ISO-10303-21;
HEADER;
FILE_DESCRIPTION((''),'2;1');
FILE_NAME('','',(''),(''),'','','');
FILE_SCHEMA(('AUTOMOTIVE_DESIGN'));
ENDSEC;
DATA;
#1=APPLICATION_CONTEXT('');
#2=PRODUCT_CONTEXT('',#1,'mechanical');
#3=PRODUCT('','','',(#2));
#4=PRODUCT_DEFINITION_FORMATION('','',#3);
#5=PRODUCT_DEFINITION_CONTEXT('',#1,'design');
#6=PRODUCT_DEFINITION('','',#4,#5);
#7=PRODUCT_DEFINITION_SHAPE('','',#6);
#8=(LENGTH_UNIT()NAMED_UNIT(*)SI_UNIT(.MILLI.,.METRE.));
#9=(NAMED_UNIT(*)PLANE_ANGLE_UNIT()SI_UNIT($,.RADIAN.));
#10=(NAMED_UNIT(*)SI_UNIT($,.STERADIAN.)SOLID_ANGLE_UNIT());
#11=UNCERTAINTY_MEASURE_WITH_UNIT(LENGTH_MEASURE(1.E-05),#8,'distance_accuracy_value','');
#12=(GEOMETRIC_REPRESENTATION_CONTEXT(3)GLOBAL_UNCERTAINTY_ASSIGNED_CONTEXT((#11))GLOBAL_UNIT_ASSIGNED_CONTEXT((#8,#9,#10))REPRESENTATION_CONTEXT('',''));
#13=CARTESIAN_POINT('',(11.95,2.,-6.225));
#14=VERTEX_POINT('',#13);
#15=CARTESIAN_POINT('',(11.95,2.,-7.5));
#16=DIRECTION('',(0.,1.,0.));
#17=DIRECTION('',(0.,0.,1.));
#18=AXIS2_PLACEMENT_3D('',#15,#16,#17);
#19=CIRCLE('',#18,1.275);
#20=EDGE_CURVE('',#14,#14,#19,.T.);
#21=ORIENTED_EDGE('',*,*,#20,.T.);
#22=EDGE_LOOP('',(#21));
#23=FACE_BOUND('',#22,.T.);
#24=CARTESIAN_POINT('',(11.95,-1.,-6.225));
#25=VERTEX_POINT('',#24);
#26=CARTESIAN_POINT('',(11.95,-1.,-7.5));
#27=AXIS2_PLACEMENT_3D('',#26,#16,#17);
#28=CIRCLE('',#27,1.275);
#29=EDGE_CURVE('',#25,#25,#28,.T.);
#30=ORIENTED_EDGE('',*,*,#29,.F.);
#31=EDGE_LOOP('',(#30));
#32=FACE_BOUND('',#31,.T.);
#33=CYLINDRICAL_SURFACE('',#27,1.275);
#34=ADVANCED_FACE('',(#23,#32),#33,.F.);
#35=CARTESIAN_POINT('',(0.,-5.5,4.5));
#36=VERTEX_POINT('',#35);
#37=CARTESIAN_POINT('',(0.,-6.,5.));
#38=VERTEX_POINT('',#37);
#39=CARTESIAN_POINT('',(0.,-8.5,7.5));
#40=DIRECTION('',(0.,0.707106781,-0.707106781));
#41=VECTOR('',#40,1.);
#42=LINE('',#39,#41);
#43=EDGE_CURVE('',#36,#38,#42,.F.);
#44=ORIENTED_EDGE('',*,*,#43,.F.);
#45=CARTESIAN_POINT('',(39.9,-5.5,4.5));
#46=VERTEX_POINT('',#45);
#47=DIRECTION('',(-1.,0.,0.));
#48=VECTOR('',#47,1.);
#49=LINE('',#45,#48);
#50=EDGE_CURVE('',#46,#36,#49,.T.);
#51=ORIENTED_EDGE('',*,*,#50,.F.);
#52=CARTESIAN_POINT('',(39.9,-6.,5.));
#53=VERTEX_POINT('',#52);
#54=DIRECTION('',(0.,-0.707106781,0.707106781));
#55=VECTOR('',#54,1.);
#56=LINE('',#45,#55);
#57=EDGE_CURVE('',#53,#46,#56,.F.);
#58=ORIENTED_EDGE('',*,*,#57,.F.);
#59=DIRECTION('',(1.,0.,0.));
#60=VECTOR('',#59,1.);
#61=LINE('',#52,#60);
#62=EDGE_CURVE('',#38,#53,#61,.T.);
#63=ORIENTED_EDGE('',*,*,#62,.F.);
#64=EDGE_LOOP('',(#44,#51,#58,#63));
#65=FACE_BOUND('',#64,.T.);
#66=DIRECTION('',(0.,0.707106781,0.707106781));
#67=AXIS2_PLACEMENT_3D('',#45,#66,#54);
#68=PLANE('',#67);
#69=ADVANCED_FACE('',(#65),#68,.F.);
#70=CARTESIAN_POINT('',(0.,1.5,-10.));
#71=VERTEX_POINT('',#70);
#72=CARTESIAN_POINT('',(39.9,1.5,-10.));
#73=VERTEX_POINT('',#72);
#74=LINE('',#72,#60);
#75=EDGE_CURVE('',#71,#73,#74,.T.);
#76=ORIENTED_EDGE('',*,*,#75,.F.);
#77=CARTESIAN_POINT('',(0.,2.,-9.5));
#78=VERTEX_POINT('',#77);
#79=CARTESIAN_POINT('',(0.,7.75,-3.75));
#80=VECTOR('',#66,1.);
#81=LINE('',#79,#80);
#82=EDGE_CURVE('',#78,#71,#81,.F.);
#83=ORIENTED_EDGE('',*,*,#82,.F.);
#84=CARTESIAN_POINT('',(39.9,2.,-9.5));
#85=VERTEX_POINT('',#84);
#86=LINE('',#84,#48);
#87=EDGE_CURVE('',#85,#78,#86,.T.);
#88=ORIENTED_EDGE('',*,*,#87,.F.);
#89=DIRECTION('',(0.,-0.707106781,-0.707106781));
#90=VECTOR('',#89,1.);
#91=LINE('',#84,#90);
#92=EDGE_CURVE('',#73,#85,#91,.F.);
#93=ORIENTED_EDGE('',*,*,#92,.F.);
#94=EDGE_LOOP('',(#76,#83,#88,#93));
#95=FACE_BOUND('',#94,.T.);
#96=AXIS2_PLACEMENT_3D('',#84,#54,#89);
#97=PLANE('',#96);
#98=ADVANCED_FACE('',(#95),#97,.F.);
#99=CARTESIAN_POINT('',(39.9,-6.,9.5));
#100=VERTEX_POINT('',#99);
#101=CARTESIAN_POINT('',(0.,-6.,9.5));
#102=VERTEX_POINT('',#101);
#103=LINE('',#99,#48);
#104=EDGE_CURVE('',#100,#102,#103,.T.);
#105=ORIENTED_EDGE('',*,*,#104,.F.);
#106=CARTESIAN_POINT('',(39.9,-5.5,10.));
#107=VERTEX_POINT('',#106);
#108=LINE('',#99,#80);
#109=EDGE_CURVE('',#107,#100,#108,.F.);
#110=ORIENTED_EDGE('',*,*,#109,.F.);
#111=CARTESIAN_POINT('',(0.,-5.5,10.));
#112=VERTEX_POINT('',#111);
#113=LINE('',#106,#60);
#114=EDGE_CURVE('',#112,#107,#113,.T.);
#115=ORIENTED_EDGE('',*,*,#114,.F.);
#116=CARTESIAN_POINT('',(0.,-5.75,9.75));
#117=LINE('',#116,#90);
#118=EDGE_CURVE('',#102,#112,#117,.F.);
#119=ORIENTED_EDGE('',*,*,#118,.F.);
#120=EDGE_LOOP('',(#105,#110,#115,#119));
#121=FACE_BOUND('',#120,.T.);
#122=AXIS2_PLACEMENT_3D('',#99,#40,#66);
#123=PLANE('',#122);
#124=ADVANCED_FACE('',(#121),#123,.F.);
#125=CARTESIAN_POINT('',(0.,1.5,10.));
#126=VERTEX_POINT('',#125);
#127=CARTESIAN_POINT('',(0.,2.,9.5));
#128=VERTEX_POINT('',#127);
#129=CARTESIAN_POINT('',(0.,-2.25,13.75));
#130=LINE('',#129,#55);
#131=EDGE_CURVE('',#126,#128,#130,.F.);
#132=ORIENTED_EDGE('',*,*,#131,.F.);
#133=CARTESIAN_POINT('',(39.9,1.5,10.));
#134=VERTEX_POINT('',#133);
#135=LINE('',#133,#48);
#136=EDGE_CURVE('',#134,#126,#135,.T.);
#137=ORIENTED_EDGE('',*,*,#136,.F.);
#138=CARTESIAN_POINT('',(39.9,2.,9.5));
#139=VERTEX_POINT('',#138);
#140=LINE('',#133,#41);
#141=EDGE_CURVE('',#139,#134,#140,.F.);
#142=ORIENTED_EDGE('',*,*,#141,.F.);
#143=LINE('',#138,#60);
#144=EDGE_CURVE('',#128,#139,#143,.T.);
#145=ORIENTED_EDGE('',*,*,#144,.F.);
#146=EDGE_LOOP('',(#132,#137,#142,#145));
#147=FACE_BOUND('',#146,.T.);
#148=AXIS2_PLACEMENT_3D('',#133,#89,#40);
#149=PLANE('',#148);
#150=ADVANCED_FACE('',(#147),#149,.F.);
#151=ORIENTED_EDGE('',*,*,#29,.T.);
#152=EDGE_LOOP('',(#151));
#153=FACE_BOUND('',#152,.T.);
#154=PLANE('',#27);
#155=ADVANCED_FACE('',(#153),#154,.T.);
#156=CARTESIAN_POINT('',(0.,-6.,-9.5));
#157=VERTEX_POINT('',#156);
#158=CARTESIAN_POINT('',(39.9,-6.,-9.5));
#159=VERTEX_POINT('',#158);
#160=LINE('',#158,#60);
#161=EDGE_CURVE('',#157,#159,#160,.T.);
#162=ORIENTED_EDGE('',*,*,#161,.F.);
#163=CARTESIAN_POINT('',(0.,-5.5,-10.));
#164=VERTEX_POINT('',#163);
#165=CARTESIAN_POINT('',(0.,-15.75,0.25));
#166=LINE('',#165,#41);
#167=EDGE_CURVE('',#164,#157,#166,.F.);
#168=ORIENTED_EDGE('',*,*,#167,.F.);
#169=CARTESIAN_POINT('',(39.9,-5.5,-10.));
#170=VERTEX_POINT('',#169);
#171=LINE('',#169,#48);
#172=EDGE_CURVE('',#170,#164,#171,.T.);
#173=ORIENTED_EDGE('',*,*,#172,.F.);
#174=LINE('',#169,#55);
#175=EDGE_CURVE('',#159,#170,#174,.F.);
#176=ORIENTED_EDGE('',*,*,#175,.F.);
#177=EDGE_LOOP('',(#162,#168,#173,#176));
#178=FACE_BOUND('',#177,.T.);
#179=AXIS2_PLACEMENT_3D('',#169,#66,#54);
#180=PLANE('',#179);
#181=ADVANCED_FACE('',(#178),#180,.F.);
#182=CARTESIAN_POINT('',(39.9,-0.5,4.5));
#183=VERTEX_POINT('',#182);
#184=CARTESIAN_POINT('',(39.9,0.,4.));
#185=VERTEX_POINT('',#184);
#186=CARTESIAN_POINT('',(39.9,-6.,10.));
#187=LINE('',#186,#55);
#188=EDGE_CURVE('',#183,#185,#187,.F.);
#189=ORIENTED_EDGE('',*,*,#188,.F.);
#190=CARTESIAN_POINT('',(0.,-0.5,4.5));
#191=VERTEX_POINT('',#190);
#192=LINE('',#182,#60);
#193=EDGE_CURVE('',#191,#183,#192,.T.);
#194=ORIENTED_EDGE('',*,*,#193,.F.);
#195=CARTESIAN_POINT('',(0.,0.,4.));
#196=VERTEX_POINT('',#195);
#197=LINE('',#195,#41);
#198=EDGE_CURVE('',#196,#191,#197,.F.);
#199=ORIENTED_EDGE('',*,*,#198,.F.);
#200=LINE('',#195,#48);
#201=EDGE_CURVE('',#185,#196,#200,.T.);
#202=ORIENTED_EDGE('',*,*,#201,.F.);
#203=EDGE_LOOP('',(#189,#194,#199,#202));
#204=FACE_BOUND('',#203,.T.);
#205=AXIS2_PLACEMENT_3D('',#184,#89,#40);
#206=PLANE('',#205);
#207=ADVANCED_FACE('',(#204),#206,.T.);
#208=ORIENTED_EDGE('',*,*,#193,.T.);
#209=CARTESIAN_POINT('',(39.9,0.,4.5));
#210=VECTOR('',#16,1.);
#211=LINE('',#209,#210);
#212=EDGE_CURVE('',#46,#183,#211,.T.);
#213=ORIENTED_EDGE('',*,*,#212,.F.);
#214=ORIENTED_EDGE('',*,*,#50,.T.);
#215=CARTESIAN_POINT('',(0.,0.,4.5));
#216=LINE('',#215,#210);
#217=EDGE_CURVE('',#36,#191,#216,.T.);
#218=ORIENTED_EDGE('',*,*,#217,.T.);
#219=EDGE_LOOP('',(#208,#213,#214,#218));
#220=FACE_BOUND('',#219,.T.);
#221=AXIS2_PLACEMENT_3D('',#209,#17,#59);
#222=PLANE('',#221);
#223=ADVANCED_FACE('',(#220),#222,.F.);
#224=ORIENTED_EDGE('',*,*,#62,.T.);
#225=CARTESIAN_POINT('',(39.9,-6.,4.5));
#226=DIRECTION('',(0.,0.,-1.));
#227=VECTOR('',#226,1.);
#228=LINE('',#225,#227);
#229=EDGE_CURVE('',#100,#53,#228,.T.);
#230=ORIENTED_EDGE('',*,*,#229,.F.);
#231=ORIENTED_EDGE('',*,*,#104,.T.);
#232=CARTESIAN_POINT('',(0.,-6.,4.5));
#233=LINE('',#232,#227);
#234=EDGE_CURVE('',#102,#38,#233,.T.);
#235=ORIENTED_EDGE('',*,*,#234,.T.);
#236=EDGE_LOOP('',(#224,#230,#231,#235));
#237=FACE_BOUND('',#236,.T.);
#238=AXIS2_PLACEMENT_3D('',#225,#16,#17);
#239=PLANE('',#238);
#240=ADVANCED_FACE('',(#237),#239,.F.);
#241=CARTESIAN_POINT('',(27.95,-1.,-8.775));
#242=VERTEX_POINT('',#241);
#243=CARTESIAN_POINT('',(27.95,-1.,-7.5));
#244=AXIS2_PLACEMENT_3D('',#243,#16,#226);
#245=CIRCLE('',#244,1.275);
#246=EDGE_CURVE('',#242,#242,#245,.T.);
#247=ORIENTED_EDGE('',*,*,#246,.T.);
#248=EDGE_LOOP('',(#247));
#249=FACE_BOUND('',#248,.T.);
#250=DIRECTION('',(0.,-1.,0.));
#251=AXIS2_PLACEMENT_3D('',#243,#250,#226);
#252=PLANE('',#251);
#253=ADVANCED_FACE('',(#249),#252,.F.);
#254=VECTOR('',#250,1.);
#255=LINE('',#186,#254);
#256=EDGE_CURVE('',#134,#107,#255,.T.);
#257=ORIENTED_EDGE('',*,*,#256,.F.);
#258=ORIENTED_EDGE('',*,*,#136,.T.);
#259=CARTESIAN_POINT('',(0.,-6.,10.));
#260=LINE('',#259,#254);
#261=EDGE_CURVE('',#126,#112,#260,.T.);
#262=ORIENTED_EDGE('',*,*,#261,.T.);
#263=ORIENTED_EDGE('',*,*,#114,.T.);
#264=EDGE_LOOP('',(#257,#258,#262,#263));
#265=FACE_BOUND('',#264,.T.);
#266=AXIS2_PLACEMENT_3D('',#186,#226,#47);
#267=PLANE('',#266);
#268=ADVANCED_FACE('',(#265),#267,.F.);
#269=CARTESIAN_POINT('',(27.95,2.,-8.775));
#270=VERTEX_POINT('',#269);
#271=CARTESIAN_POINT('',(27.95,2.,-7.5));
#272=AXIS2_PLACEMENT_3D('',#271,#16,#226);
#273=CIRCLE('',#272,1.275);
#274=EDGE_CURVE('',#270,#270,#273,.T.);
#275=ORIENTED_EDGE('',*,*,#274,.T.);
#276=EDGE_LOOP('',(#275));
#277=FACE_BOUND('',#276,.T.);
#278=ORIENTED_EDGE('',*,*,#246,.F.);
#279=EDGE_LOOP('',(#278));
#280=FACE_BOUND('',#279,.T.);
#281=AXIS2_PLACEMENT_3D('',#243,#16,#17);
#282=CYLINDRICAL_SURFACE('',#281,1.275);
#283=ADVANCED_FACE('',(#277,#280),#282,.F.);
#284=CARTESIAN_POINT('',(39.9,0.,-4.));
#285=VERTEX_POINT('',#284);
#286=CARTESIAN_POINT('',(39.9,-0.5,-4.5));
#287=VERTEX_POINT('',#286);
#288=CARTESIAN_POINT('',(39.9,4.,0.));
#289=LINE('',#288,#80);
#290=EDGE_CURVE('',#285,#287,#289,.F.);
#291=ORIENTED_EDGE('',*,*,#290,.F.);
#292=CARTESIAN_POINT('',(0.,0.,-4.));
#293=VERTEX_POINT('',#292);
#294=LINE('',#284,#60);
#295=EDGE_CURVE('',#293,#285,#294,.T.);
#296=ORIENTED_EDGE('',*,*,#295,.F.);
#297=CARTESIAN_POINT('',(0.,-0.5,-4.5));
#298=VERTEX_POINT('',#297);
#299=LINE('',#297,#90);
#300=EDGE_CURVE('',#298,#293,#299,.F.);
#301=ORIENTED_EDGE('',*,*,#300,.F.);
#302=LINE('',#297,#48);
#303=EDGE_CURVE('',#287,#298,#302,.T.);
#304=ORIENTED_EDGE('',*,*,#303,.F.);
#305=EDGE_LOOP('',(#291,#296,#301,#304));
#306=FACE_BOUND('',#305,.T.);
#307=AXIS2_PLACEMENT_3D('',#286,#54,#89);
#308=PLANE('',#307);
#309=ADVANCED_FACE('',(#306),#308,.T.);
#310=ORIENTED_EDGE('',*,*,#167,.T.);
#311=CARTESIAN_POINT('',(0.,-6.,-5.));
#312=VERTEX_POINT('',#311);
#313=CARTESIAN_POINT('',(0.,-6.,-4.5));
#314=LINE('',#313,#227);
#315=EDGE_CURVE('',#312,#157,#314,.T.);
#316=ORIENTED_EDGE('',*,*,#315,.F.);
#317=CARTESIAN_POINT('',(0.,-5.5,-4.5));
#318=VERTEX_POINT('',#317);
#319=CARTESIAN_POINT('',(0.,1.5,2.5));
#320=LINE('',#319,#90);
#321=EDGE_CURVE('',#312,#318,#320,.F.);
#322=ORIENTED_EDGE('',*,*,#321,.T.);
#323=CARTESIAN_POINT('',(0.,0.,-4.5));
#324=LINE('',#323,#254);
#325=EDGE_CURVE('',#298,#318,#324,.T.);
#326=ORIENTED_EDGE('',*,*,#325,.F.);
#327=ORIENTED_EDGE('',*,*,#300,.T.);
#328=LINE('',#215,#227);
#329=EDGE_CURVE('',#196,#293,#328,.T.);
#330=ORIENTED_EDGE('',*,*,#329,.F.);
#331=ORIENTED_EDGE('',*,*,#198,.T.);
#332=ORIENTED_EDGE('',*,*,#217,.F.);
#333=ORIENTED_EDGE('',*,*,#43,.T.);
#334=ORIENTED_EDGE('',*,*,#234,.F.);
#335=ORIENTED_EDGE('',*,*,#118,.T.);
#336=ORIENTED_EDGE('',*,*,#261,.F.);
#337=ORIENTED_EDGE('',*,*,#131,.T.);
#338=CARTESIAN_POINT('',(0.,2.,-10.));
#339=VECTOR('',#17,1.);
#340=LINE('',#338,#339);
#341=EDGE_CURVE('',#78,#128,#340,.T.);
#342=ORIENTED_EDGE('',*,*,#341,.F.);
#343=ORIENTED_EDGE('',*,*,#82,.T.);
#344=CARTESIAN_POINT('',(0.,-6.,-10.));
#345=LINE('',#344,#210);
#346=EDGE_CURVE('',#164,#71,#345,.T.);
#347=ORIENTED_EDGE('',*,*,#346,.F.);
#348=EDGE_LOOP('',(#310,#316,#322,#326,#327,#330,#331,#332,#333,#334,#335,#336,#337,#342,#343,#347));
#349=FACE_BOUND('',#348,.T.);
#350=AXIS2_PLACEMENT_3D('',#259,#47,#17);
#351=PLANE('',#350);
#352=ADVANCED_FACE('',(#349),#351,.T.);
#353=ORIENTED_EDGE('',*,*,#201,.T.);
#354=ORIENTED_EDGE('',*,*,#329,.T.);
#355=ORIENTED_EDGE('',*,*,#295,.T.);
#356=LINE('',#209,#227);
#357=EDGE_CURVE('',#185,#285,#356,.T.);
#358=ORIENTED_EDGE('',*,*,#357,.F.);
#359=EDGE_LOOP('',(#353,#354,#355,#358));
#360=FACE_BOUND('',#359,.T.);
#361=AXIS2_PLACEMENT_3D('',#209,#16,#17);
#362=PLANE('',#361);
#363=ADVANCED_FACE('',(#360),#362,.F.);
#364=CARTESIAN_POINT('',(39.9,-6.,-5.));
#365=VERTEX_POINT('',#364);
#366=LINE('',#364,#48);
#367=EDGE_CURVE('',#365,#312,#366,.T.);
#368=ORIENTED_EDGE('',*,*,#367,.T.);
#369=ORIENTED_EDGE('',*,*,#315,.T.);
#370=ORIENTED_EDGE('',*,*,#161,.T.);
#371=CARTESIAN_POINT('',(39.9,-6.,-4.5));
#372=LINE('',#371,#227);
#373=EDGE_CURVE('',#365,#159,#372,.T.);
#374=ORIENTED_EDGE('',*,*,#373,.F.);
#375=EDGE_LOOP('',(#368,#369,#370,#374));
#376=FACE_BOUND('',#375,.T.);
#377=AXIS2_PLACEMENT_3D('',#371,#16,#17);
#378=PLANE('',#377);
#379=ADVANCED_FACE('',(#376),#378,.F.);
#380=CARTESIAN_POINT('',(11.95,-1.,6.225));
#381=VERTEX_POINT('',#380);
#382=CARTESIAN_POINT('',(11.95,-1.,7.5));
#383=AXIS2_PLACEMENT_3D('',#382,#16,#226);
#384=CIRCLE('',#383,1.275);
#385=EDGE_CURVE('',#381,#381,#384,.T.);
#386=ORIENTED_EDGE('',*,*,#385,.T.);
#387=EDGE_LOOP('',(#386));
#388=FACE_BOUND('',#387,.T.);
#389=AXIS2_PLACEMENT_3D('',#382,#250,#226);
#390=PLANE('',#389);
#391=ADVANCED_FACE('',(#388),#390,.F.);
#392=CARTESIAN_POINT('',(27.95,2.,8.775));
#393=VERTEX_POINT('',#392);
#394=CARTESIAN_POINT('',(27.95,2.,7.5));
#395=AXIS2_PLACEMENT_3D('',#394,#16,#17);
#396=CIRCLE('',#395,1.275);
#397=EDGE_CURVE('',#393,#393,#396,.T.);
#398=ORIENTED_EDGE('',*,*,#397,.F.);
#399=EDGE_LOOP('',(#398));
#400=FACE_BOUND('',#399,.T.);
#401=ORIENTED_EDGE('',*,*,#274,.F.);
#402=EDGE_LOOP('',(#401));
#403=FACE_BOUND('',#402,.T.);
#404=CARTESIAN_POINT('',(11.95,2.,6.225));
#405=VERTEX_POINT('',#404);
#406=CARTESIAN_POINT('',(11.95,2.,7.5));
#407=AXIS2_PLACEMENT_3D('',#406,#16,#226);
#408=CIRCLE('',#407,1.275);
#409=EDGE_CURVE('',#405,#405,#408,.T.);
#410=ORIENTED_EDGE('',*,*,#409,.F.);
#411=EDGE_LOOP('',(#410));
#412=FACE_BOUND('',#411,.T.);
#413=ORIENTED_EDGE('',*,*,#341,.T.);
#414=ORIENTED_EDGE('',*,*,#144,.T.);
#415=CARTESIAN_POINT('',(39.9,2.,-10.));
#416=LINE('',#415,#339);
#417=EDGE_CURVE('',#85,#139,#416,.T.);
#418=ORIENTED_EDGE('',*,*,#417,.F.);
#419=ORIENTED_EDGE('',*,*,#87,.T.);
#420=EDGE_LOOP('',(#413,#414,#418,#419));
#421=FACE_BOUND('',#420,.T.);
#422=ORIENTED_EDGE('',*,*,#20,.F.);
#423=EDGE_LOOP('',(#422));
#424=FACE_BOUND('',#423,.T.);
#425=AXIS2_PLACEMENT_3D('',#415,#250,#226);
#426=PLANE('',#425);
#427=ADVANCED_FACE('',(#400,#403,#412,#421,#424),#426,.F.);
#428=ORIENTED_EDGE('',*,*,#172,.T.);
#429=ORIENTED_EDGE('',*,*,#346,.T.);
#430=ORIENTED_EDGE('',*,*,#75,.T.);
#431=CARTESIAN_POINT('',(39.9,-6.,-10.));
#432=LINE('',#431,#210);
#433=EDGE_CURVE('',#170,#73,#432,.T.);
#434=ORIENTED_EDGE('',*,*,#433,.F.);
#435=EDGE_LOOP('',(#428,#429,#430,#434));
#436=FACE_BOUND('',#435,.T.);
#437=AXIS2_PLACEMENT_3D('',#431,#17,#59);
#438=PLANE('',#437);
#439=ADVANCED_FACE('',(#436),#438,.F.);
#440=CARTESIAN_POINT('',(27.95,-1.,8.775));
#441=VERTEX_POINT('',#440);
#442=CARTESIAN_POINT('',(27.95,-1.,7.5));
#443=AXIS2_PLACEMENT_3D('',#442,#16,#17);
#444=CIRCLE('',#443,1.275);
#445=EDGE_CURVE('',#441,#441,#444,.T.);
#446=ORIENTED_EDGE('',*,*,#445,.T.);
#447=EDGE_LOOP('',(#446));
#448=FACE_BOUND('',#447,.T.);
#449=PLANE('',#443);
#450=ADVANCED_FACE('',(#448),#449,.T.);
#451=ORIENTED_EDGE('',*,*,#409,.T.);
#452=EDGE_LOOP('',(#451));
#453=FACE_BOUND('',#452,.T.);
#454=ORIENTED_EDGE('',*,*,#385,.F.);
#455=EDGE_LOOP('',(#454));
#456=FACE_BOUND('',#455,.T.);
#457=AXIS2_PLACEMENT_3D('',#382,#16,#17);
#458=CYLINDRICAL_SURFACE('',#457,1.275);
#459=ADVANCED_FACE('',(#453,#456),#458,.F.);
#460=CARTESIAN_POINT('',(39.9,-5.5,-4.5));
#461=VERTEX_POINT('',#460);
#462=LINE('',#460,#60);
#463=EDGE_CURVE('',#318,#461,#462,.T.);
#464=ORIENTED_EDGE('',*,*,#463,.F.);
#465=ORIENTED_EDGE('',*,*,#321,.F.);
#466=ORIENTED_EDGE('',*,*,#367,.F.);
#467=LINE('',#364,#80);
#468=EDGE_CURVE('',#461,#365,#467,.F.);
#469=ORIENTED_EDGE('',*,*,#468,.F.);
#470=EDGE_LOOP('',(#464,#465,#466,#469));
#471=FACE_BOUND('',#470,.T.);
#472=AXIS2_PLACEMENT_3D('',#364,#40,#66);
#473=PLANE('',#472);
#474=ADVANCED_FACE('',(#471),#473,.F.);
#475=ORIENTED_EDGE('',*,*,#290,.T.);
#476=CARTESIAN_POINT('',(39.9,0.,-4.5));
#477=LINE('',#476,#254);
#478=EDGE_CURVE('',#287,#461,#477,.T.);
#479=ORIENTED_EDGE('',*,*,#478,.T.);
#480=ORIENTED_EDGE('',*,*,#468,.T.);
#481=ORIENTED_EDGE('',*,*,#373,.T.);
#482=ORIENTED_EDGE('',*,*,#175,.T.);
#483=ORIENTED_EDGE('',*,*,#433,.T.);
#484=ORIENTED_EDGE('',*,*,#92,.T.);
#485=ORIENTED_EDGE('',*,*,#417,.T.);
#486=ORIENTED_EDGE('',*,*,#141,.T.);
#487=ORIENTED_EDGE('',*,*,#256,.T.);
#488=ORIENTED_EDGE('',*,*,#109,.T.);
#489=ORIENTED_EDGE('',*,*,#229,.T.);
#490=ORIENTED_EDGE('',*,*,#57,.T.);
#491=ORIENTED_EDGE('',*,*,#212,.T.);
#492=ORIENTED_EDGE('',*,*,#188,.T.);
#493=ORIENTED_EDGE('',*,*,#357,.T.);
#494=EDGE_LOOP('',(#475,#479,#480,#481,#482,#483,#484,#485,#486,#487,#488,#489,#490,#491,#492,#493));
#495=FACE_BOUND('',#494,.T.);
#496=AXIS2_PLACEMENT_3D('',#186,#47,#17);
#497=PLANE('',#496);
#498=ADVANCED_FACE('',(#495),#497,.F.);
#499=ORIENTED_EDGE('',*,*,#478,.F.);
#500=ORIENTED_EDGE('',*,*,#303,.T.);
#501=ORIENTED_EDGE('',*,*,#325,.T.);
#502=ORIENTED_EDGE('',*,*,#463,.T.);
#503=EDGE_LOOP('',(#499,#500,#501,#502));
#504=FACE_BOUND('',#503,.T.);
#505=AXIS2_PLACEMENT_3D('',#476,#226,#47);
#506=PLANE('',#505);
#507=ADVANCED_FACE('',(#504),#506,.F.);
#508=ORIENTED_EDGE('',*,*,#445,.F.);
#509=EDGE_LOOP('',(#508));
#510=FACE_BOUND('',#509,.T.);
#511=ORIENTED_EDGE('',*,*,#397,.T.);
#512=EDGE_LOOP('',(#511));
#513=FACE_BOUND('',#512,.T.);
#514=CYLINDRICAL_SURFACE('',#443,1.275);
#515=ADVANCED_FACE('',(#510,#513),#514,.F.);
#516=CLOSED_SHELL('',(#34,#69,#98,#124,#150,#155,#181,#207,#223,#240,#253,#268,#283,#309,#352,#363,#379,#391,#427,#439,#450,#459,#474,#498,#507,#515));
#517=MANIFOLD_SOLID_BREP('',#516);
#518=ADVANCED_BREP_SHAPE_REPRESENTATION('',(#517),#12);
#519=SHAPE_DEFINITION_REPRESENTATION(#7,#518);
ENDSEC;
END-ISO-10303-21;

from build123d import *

# Parameters (mm, degrees)
EXTRUDE_1_DEPTH     = 39.9
CHAMFER_1_SIZE      = 0.5
SKETCH_3_R          = 1.275
CUT_EXTRUDE_2_DEPTH = 3


with BuildPart() as part:
    # 草图2 → 拉伸1 (new body)
    with BuildSketch(Plane(origin=(0, 0, 0), x_dir=(0, 0, -1), z_dir=(1, 0, 0))):
        Polygon((-4.5, 0), (4.5, 0), (4.5, -6), (10, -6), (10, 2), (-10, 2), (-10, -6), (-4.5, -6), align=None)
    extrude(amount=EXTRUDE_1_DEPTH)

    # 倒角1
    chamfer_1_edges = [part.edges().sort_by_distance(p)[0] for p in [
        (19.95, -6, 10),
        (19.95, 2, 10),
        (19.95, 2, -10),
        (19.95, -6, -10),
        (19.95, -6, -4.5),
        (19.95, 0, -4.5),
        (19.95, 0, 4.5),
        (19.95, -6, 4.5),
    ]]
    chamfer(chamfer_1_edges, length=CHAMFER_1_SIZE)

    # 草图3 → 拉伸2 (cut)
    with BuildSketch(Plane(origin=(0, 2, 0), x_dir=(1, 0, 0), z_dir=(0, 1, 0))):
        with Locations(Location((11.95, 7.5, 0), (0, 0, 270))):
            Circle(SKETCH_3_R)
        with Locations(Location((27.95, 7.5, 0), (0, 0, 90))):
            Circle(SKETCH_3_R)
        with Locations(Location((27.95, -7.5, 0), (0, 0, 270))):
            Circle(SKETCH_3_R)
        with Locations(Location((11.95, -7.5, 0), (0, 0, 90))):
            Circle(SKETCH_3_R)
    extrude(amount=-CUT_EXTRUDE_2_DEPTH, mode=Mode.SUBTRACT)


solid = part.part
